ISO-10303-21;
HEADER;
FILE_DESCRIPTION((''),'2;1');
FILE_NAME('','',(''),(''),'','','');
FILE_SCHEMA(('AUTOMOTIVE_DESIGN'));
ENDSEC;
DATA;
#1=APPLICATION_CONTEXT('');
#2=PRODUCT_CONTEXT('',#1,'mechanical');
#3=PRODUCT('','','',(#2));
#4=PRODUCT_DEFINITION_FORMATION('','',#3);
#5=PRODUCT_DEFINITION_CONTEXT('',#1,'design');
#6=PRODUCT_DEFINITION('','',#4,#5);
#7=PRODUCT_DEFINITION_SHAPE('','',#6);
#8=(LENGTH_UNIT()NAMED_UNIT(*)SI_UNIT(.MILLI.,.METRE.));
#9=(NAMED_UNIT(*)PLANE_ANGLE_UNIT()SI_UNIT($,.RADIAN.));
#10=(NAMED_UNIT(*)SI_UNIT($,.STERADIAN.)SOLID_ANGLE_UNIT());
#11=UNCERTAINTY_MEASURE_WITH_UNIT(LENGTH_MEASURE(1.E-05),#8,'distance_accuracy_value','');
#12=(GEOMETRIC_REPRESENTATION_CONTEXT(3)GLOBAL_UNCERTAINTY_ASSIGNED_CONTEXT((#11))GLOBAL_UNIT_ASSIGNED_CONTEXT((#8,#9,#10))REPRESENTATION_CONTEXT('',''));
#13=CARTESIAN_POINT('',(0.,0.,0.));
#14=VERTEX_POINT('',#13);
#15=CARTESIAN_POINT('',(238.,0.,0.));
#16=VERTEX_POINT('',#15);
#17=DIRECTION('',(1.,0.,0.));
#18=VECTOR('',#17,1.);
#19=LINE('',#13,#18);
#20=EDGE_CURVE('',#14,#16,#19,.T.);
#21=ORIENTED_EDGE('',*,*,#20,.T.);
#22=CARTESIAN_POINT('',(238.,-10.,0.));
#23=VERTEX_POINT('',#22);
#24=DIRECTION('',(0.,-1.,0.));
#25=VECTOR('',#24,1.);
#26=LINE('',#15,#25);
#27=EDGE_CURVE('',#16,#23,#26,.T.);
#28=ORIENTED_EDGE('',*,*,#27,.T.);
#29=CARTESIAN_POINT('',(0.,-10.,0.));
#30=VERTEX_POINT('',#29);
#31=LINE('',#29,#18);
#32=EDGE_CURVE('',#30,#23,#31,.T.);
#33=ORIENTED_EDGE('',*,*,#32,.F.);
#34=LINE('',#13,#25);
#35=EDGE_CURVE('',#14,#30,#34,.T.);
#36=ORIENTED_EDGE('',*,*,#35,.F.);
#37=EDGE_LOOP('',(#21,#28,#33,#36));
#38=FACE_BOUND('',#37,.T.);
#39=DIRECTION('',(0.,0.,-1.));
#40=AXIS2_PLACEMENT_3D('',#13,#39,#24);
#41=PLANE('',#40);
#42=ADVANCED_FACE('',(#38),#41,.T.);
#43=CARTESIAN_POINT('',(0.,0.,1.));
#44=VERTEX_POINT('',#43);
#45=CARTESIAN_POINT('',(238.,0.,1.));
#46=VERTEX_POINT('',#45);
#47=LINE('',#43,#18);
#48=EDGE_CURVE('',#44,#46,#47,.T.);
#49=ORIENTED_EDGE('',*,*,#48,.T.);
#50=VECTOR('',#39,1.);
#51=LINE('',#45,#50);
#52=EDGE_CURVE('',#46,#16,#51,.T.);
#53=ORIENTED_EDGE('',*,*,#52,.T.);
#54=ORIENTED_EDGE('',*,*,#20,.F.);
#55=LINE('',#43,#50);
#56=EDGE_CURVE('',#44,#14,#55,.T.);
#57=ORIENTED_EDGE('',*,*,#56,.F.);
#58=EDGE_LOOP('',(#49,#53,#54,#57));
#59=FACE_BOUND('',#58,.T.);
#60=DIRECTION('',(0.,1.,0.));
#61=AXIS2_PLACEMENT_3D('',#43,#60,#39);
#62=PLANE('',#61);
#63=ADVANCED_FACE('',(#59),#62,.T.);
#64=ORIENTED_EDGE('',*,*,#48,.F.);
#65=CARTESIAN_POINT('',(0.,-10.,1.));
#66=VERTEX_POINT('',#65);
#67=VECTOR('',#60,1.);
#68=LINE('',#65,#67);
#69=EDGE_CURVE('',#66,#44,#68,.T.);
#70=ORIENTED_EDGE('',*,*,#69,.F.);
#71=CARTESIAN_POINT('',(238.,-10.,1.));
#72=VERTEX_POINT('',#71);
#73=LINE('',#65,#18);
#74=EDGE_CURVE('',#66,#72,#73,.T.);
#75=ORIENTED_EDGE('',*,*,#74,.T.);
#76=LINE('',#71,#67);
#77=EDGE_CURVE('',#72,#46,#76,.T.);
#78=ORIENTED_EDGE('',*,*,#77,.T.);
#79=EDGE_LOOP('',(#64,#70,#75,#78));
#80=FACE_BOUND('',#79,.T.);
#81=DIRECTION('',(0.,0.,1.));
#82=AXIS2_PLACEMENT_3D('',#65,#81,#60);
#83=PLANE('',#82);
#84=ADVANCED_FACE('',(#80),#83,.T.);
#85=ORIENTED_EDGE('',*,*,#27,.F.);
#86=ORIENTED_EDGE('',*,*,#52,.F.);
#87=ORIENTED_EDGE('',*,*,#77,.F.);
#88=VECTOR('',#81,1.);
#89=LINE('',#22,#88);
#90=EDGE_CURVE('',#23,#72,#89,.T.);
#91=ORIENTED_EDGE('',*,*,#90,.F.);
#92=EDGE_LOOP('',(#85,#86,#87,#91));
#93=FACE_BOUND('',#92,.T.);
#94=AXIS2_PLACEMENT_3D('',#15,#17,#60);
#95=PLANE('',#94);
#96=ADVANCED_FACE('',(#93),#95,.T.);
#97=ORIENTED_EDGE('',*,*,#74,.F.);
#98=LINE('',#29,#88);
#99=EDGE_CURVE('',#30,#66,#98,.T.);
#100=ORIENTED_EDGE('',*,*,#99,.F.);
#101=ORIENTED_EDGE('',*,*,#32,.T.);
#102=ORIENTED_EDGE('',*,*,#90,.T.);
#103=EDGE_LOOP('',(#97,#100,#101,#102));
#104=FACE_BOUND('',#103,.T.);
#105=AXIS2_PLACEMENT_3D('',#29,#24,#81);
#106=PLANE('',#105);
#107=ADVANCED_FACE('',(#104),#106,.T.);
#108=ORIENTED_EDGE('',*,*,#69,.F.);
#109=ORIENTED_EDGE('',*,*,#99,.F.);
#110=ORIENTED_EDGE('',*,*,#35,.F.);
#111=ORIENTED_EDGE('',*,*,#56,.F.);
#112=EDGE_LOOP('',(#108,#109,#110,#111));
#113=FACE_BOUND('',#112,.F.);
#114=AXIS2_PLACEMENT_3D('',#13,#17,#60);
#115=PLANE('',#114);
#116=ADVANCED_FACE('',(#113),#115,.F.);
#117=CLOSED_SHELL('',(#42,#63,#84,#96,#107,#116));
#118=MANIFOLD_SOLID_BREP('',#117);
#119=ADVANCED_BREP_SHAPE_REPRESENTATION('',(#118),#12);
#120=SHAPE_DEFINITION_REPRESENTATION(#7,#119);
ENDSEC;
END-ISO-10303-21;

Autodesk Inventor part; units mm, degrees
ref_plane "YZ Plane" through (0, 0, 0) normal (1, 0, 0) x (0, 1, 0)
ref_plane "XZ Plane" through (0, 0, 0) normal (0, 1, 0) x (-1, 0, 0)
ref_plane "XY Plane" through (0, 0, 0) normal (0, 0, 1) x (1, 0, 0)
sketch "Szkic1" plane through (0, 0, 0) normal (1, 0, 0) x (0, 1, 0)
  line L0 (0, 0) -> (-10, 0)
  line L1 (-10, 0) -> (-10, 1)
  line L2 (-10, 1) -> (0, 1)
  line L3 (0, 1) -> (0, 0)
  dimension "d0" = 10
  dimension "d1" = 1
extrude "Wyciągnięcie proste1" add sketch "Szkic1" along normal blind 238
properties part number "poprzeczka"
